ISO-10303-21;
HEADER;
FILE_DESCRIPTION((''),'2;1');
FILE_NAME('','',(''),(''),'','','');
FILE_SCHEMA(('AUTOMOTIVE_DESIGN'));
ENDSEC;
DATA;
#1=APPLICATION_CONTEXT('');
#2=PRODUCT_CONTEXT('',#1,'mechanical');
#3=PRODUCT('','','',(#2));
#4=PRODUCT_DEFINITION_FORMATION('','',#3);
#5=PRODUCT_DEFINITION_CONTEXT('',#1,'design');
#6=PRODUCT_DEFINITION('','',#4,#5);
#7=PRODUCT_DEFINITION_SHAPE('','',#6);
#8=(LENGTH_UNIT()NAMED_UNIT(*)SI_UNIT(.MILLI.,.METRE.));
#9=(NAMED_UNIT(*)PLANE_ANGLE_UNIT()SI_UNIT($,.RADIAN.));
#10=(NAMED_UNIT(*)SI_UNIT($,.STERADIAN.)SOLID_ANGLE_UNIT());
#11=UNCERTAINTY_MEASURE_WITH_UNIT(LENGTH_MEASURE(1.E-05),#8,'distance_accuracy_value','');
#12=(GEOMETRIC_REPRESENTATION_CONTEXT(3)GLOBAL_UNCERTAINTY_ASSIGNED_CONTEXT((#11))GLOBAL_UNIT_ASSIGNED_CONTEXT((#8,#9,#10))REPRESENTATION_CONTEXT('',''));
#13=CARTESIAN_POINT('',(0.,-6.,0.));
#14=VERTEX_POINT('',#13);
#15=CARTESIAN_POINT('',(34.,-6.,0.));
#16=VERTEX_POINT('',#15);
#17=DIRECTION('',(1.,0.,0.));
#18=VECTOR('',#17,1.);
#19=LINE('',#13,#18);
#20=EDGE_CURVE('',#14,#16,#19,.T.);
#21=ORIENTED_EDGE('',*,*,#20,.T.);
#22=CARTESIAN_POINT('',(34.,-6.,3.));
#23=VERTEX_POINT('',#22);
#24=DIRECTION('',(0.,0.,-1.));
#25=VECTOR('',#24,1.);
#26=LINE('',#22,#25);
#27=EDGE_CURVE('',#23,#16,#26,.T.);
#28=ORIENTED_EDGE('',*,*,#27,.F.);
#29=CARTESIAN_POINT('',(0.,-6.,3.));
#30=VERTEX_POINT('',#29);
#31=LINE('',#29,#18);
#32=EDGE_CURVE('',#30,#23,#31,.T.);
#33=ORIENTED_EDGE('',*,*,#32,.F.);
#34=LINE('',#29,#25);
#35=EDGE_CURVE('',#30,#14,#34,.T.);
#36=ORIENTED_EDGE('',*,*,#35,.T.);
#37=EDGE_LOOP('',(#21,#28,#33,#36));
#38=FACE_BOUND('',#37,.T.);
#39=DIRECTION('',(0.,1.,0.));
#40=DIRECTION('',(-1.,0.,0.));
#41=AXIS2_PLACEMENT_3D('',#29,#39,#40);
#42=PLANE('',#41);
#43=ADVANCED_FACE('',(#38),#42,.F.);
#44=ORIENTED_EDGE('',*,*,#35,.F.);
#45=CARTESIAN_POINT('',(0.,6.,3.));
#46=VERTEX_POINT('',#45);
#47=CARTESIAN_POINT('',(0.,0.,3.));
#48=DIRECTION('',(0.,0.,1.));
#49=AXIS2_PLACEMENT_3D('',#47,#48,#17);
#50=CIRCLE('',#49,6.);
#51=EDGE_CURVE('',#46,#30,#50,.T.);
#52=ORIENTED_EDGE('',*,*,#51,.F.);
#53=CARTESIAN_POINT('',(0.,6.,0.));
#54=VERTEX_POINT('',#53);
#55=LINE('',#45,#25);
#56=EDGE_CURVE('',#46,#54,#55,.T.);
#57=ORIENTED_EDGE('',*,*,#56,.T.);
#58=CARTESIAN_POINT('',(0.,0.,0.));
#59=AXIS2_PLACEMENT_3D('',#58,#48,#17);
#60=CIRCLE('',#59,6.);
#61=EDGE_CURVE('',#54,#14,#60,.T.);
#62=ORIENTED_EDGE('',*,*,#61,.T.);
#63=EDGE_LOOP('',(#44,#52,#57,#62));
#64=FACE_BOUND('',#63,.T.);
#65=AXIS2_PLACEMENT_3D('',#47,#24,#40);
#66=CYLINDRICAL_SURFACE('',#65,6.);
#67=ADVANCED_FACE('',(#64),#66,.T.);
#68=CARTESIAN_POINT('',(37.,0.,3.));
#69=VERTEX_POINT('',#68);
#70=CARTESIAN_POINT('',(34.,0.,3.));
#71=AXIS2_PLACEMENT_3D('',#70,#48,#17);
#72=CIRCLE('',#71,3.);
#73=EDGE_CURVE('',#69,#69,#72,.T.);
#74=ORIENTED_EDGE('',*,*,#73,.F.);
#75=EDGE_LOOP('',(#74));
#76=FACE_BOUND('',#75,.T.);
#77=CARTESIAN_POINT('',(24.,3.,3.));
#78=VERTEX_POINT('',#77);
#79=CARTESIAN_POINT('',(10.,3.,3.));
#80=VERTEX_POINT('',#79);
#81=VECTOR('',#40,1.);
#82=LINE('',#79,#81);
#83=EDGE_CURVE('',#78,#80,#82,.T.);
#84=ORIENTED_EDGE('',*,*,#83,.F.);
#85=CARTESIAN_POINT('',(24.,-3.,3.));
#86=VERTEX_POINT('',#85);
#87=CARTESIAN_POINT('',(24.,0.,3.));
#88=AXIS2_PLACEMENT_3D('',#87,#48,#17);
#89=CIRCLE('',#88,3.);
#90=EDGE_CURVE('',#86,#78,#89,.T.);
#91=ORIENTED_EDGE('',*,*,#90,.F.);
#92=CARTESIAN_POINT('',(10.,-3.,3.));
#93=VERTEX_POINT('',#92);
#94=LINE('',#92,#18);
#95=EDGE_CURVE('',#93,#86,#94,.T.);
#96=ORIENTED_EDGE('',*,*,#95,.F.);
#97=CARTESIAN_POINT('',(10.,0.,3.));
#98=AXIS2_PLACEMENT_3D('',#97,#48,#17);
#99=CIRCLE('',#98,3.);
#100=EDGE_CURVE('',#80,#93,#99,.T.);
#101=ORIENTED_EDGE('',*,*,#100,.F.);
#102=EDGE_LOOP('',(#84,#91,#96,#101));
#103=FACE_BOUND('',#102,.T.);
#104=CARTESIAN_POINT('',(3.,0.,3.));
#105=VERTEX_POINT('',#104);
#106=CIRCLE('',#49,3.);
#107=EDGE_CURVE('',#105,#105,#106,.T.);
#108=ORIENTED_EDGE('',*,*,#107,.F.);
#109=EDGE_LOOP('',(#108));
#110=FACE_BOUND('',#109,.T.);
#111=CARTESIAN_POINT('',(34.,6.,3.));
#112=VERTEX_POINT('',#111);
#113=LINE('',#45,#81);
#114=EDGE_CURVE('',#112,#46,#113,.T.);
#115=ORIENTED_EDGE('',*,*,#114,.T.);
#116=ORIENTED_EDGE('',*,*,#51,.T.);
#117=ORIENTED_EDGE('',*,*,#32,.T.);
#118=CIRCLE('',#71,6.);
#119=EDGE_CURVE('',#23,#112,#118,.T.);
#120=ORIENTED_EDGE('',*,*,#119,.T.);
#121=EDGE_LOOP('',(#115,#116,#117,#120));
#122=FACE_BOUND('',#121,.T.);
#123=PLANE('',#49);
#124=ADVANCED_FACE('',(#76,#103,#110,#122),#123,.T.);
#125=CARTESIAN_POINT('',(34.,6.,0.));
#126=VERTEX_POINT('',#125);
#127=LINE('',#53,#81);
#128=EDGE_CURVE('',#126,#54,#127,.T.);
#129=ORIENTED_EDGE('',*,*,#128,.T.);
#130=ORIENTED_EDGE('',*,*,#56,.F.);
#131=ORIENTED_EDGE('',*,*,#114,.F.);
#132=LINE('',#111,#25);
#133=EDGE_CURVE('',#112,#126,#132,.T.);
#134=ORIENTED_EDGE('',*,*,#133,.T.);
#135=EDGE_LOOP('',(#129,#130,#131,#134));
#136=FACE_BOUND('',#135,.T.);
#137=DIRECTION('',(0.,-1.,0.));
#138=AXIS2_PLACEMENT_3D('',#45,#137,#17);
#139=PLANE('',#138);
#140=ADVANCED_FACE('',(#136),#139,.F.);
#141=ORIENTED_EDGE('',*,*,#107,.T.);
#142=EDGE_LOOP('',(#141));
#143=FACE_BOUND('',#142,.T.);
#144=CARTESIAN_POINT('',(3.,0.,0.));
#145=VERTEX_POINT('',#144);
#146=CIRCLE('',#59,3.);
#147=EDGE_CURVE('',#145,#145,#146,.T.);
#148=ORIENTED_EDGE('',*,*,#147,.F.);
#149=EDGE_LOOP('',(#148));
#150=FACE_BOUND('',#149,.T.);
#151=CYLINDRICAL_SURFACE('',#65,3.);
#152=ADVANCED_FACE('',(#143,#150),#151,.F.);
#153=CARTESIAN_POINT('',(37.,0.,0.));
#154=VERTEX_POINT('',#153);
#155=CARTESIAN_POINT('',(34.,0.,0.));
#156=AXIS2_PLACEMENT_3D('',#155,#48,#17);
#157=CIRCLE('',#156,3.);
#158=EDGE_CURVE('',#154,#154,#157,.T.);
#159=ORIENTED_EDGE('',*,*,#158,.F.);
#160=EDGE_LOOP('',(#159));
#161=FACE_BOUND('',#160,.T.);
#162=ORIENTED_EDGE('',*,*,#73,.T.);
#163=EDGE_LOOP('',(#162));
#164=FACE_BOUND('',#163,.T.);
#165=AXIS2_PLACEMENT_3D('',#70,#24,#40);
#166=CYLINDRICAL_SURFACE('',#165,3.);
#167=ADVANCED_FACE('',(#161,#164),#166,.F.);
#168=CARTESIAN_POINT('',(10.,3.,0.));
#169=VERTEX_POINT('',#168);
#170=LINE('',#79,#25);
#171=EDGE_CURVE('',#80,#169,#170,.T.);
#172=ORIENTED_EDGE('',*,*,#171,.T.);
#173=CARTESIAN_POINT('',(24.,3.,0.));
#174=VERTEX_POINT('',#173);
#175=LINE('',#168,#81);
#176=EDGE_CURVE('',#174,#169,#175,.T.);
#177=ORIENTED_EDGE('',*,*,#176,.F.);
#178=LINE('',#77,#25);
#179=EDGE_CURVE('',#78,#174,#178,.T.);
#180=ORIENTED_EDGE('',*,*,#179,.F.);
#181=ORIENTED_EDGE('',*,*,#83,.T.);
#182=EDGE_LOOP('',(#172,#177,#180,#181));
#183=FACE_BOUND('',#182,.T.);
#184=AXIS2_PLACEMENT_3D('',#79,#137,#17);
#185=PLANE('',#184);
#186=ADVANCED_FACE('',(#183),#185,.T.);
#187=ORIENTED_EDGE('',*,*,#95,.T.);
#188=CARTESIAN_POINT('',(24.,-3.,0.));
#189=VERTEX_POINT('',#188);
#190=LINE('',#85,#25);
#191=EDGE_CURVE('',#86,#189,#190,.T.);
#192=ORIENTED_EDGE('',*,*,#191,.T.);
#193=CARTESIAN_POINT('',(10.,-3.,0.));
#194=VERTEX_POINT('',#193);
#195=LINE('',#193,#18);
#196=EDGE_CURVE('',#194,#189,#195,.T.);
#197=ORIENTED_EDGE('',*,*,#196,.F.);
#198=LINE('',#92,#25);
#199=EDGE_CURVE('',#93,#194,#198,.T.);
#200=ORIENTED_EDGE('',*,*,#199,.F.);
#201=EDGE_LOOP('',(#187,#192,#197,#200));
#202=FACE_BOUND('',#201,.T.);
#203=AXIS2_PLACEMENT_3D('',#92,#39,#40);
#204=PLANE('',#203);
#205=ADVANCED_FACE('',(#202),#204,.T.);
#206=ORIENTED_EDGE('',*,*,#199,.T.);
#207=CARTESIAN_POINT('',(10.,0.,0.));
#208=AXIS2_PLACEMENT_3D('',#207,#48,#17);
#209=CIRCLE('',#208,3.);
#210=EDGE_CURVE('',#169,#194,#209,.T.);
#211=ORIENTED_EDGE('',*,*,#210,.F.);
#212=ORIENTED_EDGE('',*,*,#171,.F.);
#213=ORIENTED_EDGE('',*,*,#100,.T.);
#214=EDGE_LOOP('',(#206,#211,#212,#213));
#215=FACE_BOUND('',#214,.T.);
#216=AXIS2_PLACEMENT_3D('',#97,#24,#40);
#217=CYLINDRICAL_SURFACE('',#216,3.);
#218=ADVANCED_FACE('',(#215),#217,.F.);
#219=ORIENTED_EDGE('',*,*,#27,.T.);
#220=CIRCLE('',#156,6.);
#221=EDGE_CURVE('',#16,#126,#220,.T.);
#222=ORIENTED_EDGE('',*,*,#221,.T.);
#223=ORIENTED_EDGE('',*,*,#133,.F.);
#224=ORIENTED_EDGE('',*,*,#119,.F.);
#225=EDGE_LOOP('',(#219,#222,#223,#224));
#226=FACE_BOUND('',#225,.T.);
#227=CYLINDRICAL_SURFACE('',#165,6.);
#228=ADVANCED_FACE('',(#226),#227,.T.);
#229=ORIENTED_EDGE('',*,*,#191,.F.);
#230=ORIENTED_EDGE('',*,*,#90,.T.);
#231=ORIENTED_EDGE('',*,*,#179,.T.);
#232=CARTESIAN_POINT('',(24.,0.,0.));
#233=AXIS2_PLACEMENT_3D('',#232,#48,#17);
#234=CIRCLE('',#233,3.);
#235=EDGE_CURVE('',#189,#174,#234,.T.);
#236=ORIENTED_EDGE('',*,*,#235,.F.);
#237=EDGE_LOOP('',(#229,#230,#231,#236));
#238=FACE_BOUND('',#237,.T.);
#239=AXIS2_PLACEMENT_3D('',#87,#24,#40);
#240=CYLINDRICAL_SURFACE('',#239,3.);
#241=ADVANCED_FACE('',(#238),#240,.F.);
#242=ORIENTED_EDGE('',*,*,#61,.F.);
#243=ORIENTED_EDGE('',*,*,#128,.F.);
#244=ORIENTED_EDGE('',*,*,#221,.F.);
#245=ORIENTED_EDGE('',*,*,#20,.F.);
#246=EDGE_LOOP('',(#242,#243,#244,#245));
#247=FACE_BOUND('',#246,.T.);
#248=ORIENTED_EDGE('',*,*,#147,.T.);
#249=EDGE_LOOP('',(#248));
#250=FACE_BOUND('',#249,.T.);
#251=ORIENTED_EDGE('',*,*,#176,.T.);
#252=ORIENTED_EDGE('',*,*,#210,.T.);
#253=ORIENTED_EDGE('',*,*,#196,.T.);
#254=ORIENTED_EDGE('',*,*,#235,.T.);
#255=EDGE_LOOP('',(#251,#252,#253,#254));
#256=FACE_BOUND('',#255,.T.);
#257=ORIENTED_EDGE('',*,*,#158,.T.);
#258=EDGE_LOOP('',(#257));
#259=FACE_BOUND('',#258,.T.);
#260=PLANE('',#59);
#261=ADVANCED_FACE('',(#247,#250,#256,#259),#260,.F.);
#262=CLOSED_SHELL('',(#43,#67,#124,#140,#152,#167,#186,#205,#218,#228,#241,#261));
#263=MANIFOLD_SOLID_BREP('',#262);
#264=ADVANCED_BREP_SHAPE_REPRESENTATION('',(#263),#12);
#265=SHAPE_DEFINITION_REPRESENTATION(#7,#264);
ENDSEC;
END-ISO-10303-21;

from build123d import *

# Parameters (mm, degrees)
SKETCH_2_R      = 3
EXTRUDE_1_DEPTH = 3


with BuildPart() as part:
    # 草图2 → 凸台-拉伸1 (new body)
    with BuildSketch(Plane.XY):
        with BuildLine():
            Line((0, 6), (34, 6))
            ThreePointArc((34, 6), (40, 0), (34, -6))
            Line((34, -6), (0, -6))
            ThreePointArc((0, -6), (-6, 0), (0, 6))
        make_face()
        Circle(SKETCH_2_R, mode=Mode.SUBTRACT)
        with Locations((34, 0)):
            Circle(SKETCH_2_R, mode=Mode.SUBTRACT)
        with BuildLine():
            Line((10, 3), (24, 3))
            ThreePointArc((24, 3), (27, 0), (24, -3))
            Line((24, -3), (10, -3))
            ThreePointArc((10, -3), (7, 0), (10, 3))
        make_face(mode=Mode.SUBTRACT)
    extrude(amount=EXTRUDE_1_DEPTH)


solid = part.part
